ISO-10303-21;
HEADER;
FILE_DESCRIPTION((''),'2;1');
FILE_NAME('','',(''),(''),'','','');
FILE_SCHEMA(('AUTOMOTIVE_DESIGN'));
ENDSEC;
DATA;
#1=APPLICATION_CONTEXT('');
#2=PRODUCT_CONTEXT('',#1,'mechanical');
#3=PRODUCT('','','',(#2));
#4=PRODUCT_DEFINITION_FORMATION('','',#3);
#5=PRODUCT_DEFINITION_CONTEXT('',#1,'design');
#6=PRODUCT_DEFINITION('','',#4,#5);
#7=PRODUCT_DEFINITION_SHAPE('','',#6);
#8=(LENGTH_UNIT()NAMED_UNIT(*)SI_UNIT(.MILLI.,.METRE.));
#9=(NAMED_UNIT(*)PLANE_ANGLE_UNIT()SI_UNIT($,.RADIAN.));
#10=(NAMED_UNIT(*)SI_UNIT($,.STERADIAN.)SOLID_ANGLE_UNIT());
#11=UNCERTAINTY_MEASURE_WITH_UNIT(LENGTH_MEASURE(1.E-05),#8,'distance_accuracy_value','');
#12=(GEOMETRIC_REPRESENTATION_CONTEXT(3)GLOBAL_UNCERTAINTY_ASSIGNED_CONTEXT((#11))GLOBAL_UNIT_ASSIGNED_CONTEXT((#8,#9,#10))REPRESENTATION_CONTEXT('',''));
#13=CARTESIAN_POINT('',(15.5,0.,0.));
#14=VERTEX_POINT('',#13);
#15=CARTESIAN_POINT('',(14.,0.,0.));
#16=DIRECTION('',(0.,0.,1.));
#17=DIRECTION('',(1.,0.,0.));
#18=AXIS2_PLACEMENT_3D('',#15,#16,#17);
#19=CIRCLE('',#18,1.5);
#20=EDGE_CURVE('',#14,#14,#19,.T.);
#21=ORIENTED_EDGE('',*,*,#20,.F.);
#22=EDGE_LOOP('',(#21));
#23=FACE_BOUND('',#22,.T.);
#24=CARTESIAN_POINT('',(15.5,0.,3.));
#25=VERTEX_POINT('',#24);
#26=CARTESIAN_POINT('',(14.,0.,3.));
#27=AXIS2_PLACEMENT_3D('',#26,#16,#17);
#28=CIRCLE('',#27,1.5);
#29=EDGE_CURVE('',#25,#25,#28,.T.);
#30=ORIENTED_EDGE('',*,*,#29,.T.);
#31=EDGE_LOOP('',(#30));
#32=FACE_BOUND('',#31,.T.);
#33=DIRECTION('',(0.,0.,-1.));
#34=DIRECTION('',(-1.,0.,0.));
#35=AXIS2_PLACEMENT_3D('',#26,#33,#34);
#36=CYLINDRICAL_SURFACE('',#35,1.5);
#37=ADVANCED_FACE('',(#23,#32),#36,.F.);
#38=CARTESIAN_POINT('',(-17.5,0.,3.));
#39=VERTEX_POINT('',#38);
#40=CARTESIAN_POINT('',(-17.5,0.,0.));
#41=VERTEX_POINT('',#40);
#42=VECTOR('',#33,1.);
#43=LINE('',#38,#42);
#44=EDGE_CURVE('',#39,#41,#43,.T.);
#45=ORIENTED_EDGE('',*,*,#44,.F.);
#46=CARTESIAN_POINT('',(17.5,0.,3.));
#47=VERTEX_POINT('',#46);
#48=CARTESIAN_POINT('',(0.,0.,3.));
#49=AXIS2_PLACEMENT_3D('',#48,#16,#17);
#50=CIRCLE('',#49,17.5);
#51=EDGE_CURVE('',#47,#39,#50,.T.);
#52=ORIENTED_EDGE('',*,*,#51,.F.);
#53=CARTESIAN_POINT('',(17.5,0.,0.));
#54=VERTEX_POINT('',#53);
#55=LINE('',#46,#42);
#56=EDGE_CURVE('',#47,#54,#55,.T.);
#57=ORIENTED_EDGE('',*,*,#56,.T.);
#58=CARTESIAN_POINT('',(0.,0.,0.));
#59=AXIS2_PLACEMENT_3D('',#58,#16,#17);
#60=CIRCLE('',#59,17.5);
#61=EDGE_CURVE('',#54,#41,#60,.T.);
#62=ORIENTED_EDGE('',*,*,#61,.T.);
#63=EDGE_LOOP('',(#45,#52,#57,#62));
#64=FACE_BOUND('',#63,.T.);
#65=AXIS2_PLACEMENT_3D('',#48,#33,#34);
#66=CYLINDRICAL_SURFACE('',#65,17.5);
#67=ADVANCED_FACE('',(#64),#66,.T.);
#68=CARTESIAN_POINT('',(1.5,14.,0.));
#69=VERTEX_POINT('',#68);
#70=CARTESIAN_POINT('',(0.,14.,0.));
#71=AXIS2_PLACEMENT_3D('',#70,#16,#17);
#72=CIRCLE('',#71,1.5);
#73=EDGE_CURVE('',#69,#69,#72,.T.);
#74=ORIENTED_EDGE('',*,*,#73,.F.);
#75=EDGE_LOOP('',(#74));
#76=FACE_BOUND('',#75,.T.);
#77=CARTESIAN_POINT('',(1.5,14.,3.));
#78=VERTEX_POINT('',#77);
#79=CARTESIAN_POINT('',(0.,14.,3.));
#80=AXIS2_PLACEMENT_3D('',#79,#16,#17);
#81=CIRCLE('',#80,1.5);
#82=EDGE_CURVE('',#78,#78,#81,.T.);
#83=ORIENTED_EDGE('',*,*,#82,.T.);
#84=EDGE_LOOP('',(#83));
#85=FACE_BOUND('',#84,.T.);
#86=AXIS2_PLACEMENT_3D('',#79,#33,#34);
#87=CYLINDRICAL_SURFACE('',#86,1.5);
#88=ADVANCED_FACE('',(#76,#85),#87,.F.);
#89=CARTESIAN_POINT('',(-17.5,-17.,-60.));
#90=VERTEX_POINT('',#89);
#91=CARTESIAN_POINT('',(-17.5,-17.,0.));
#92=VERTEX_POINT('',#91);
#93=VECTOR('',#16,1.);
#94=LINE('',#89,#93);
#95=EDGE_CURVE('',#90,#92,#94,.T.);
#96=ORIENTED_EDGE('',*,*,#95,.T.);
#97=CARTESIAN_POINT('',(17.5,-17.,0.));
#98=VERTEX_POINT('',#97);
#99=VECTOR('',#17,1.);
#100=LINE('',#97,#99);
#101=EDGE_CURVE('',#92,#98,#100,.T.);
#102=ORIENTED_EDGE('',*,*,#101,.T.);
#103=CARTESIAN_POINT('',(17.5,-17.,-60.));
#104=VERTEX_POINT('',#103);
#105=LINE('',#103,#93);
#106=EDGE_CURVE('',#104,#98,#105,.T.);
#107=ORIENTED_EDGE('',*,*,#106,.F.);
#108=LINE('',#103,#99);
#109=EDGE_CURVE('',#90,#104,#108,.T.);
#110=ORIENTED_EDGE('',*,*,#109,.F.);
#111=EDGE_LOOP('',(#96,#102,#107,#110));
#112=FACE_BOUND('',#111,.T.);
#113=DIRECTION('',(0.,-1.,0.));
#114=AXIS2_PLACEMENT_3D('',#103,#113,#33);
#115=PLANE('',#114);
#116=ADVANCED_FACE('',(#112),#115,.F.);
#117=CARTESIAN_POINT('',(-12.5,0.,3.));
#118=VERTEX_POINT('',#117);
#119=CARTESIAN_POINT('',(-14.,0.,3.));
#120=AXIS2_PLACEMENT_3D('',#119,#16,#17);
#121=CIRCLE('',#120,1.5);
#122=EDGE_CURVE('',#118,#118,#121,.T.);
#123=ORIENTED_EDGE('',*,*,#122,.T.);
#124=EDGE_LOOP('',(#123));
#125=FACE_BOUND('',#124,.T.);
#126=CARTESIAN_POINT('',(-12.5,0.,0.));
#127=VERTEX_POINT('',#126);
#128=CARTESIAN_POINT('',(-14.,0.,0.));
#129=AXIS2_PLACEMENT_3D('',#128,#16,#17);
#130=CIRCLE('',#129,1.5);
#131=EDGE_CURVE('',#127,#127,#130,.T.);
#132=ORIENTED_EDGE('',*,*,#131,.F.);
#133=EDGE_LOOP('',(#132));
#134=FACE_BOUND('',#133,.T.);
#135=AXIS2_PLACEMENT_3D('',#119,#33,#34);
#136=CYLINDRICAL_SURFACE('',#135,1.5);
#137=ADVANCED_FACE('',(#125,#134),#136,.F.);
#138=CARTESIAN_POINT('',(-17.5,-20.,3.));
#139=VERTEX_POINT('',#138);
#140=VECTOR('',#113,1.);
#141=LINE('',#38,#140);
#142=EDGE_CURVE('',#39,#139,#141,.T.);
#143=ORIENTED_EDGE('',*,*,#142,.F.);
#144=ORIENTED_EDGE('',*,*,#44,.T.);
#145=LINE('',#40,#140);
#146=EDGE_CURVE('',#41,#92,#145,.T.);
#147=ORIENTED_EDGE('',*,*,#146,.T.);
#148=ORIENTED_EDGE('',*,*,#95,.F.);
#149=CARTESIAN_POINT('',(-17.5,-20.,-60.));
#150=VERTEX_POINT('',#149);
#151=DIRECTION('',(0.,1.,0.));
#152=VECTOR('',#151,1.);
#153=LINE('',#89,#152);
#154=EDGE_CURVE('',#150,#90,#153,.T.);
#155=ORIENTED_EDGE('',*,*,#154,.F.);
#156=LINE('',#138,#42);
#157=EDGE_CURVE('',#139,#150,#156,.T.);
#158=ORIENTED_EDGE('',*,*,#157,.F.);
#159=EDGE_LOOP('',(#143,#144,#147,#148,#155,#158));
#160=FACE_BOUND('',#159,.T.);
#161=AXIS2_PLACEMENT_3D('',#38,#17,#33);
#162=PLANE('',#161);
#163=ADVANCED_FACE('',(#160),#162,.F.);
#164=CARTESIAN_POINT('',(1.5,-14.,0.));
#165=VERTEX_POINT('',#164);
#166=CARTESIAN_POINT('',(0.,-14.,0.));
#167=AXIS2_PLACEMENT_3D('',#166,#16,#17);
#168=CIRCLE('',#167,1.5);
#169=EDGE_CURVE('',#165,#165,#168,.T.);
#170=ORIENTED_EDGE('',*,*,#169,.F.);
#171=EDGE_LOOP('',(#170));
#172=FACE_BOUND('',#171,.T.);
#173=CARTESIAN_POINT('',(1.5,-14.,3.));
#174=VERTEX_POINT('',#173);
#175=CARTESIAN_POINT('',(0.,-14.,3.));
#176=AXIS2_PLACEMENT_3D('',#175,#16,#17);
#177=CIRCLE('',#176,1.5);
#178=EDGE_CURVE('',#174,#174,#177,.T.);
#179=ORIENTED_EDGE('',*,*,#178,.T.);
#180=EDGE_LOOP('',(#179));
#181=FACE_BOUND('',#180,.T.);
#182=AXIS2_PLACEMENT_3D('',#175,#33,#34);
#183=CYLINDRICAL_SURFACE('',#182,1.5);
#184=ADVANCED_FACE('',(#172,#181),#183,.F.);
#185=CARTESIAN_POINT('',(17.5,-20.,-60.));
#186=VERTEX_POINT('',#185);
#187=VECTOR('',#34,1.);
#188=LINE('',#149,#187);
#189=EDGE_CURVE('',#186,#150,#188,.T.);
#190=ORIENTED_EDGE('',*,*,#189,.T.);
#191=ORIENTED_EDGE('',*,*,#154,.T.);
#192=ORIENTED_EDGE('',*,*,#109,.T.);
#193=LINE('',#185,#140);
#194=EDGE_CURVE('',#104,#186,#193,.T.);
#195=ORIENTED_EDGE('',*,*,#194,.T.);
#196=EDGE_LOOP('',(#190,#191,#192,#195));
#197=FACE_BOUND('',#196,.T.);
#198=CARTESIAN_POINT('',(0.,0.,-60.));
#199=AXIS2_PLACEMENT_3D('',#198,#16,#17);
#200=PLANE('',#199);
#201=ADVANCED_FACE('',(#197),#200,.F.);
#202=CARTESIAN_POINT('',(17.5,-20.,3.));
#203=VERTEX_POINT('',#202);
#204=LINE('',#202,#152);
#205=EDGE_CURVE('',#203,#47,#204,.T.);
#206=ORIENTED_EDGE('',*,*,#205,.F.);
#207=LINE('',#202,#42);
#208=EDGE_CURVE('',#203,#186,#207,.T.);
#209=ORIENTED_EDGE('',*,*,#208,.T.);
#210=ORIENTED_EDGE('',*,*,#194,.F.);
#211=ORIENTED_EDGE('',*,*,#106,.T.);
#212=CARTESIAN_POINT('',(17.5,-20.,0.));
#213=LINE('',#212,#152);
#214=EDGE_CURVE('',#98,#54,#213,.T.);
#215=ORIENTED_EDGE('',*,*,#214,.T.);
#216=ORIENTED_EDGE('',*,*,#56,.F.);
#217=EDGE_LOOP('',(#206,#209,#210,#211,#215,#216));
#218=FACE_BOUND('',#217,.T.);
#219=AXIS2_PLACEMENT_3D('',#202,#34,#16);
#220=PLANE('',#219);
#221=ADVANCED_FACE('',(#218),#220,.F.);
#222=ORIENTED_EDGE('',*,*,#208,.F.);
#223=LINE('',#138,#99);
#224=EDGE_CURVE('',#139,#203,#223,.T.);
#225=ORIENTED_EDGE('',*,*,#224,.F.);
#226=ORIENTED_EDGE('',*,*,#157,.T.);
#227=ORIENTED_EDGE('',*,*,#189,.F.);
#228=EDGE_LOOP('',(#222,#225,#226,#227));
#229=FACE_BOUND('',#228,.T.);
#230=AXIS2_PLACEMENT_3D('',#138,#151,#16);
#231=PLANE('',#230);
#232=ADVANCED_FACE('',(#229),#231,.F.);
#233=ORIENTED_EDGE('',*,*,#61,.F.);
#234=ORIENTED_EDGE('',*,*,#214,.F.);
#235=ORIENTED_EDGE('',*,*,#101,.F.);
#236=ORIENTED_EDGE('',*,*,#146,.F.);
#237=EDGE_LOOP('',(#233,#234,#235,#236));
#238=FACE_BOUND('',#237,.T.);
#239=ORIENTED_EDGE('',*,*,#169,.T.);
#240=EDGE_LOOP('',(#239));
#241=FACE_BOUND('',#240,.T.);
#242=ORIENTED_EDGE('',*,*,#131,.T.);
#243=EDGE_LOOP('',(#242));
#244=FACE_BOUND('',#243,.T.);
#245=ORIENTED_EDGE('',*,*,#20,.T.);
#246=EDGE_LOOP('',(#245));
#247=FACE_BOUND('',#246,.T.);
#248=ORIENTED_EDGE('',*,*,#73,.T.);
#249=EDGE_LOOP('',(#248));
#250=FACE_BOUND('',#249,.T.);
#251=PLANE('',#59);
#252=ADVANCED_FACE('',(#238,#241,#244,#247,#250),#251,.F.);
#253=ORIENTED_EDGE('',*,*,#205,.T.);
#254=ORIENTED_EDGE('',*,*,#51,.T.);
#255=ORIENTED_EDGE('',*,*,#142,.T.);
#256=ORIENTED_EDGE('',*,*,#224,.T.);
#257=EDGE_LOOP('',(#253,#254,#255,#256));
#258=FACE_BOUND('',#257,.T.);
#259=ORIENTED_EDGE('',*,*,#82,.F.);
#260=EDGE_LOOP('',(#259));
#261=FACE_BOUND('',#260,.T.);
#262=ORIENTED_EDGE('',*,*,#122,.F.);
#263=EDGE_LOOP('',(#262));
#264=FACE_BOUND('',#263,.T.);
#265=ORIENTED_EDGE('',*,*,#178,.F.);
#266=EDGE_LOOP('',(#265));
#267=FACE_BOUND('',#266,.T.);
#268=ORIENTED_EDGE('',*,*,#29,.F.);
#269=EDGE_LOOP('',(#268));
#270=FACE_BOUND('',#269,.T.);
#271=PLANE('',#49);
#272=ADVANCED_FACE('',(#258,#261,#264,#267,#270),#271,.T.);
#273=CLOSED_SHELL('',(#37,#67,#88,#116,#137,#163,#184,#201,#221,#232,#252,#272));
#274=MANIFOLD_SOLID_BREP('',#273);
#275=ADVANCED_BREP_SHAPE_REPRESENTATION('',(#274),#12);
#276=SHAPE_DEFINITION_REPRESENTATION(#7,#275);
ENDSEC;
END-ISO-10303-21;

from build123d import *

# Parameters (mm, degrees)
SKETCH1_R           = 1.5
BOSS_EXTRUDE1_DEPTH = 3
SKETCH2_W           = 35
SKETCH2_H           = 3
BOSS_EXTRUDE2_DEPTH = 60


with BuildPart() as part:
    # Sketch1 → Boss-Extrude1 (new body)
    with BuildSketch(Plane.XY):
        with BuildLine():
            Line((-17.5, 0), (-17.5, -20))
            Line((-17.5, -20), (17.5, -20))
            Line((17.5, -20), (17.5, 0))
            ThreePointArc((17.5, 0), (0, 17.5), (-17.5, 0))
        make_face()
        with Locations((0, 14)):
            Circle(SKETCH1_R, mode=Mode.SUBTRACT)
        with Locations((14, 0)):
            Circle(SKETCH1_R, mode=Mode.SUBTRACT)
        with Locations((0, -14)):
            Circle(SKETCH1_R, mode=Mode.SUBTRACT)
        with Locations((-14, 0)):
            Circle(SKETCH1_R, mode=Mode.SUBTRACT)
    extrude(amount=BOSS_EXTRUDE1_DEPTH)

    # Sketch2 → Boss-Extrude2 (add)
    with BuildSketch(Plane(origin=(0, 0, 0), x_dir=(-1, 0, 0), z_dir=(0, 0, -1))):
        with Locations((0, -18.5)):
            Rectangle(SKETCH2_W, SKETCH2_H)
    extrude(amount=BOSS_EXTRUDE2_DEPTH)


solid = part.part
